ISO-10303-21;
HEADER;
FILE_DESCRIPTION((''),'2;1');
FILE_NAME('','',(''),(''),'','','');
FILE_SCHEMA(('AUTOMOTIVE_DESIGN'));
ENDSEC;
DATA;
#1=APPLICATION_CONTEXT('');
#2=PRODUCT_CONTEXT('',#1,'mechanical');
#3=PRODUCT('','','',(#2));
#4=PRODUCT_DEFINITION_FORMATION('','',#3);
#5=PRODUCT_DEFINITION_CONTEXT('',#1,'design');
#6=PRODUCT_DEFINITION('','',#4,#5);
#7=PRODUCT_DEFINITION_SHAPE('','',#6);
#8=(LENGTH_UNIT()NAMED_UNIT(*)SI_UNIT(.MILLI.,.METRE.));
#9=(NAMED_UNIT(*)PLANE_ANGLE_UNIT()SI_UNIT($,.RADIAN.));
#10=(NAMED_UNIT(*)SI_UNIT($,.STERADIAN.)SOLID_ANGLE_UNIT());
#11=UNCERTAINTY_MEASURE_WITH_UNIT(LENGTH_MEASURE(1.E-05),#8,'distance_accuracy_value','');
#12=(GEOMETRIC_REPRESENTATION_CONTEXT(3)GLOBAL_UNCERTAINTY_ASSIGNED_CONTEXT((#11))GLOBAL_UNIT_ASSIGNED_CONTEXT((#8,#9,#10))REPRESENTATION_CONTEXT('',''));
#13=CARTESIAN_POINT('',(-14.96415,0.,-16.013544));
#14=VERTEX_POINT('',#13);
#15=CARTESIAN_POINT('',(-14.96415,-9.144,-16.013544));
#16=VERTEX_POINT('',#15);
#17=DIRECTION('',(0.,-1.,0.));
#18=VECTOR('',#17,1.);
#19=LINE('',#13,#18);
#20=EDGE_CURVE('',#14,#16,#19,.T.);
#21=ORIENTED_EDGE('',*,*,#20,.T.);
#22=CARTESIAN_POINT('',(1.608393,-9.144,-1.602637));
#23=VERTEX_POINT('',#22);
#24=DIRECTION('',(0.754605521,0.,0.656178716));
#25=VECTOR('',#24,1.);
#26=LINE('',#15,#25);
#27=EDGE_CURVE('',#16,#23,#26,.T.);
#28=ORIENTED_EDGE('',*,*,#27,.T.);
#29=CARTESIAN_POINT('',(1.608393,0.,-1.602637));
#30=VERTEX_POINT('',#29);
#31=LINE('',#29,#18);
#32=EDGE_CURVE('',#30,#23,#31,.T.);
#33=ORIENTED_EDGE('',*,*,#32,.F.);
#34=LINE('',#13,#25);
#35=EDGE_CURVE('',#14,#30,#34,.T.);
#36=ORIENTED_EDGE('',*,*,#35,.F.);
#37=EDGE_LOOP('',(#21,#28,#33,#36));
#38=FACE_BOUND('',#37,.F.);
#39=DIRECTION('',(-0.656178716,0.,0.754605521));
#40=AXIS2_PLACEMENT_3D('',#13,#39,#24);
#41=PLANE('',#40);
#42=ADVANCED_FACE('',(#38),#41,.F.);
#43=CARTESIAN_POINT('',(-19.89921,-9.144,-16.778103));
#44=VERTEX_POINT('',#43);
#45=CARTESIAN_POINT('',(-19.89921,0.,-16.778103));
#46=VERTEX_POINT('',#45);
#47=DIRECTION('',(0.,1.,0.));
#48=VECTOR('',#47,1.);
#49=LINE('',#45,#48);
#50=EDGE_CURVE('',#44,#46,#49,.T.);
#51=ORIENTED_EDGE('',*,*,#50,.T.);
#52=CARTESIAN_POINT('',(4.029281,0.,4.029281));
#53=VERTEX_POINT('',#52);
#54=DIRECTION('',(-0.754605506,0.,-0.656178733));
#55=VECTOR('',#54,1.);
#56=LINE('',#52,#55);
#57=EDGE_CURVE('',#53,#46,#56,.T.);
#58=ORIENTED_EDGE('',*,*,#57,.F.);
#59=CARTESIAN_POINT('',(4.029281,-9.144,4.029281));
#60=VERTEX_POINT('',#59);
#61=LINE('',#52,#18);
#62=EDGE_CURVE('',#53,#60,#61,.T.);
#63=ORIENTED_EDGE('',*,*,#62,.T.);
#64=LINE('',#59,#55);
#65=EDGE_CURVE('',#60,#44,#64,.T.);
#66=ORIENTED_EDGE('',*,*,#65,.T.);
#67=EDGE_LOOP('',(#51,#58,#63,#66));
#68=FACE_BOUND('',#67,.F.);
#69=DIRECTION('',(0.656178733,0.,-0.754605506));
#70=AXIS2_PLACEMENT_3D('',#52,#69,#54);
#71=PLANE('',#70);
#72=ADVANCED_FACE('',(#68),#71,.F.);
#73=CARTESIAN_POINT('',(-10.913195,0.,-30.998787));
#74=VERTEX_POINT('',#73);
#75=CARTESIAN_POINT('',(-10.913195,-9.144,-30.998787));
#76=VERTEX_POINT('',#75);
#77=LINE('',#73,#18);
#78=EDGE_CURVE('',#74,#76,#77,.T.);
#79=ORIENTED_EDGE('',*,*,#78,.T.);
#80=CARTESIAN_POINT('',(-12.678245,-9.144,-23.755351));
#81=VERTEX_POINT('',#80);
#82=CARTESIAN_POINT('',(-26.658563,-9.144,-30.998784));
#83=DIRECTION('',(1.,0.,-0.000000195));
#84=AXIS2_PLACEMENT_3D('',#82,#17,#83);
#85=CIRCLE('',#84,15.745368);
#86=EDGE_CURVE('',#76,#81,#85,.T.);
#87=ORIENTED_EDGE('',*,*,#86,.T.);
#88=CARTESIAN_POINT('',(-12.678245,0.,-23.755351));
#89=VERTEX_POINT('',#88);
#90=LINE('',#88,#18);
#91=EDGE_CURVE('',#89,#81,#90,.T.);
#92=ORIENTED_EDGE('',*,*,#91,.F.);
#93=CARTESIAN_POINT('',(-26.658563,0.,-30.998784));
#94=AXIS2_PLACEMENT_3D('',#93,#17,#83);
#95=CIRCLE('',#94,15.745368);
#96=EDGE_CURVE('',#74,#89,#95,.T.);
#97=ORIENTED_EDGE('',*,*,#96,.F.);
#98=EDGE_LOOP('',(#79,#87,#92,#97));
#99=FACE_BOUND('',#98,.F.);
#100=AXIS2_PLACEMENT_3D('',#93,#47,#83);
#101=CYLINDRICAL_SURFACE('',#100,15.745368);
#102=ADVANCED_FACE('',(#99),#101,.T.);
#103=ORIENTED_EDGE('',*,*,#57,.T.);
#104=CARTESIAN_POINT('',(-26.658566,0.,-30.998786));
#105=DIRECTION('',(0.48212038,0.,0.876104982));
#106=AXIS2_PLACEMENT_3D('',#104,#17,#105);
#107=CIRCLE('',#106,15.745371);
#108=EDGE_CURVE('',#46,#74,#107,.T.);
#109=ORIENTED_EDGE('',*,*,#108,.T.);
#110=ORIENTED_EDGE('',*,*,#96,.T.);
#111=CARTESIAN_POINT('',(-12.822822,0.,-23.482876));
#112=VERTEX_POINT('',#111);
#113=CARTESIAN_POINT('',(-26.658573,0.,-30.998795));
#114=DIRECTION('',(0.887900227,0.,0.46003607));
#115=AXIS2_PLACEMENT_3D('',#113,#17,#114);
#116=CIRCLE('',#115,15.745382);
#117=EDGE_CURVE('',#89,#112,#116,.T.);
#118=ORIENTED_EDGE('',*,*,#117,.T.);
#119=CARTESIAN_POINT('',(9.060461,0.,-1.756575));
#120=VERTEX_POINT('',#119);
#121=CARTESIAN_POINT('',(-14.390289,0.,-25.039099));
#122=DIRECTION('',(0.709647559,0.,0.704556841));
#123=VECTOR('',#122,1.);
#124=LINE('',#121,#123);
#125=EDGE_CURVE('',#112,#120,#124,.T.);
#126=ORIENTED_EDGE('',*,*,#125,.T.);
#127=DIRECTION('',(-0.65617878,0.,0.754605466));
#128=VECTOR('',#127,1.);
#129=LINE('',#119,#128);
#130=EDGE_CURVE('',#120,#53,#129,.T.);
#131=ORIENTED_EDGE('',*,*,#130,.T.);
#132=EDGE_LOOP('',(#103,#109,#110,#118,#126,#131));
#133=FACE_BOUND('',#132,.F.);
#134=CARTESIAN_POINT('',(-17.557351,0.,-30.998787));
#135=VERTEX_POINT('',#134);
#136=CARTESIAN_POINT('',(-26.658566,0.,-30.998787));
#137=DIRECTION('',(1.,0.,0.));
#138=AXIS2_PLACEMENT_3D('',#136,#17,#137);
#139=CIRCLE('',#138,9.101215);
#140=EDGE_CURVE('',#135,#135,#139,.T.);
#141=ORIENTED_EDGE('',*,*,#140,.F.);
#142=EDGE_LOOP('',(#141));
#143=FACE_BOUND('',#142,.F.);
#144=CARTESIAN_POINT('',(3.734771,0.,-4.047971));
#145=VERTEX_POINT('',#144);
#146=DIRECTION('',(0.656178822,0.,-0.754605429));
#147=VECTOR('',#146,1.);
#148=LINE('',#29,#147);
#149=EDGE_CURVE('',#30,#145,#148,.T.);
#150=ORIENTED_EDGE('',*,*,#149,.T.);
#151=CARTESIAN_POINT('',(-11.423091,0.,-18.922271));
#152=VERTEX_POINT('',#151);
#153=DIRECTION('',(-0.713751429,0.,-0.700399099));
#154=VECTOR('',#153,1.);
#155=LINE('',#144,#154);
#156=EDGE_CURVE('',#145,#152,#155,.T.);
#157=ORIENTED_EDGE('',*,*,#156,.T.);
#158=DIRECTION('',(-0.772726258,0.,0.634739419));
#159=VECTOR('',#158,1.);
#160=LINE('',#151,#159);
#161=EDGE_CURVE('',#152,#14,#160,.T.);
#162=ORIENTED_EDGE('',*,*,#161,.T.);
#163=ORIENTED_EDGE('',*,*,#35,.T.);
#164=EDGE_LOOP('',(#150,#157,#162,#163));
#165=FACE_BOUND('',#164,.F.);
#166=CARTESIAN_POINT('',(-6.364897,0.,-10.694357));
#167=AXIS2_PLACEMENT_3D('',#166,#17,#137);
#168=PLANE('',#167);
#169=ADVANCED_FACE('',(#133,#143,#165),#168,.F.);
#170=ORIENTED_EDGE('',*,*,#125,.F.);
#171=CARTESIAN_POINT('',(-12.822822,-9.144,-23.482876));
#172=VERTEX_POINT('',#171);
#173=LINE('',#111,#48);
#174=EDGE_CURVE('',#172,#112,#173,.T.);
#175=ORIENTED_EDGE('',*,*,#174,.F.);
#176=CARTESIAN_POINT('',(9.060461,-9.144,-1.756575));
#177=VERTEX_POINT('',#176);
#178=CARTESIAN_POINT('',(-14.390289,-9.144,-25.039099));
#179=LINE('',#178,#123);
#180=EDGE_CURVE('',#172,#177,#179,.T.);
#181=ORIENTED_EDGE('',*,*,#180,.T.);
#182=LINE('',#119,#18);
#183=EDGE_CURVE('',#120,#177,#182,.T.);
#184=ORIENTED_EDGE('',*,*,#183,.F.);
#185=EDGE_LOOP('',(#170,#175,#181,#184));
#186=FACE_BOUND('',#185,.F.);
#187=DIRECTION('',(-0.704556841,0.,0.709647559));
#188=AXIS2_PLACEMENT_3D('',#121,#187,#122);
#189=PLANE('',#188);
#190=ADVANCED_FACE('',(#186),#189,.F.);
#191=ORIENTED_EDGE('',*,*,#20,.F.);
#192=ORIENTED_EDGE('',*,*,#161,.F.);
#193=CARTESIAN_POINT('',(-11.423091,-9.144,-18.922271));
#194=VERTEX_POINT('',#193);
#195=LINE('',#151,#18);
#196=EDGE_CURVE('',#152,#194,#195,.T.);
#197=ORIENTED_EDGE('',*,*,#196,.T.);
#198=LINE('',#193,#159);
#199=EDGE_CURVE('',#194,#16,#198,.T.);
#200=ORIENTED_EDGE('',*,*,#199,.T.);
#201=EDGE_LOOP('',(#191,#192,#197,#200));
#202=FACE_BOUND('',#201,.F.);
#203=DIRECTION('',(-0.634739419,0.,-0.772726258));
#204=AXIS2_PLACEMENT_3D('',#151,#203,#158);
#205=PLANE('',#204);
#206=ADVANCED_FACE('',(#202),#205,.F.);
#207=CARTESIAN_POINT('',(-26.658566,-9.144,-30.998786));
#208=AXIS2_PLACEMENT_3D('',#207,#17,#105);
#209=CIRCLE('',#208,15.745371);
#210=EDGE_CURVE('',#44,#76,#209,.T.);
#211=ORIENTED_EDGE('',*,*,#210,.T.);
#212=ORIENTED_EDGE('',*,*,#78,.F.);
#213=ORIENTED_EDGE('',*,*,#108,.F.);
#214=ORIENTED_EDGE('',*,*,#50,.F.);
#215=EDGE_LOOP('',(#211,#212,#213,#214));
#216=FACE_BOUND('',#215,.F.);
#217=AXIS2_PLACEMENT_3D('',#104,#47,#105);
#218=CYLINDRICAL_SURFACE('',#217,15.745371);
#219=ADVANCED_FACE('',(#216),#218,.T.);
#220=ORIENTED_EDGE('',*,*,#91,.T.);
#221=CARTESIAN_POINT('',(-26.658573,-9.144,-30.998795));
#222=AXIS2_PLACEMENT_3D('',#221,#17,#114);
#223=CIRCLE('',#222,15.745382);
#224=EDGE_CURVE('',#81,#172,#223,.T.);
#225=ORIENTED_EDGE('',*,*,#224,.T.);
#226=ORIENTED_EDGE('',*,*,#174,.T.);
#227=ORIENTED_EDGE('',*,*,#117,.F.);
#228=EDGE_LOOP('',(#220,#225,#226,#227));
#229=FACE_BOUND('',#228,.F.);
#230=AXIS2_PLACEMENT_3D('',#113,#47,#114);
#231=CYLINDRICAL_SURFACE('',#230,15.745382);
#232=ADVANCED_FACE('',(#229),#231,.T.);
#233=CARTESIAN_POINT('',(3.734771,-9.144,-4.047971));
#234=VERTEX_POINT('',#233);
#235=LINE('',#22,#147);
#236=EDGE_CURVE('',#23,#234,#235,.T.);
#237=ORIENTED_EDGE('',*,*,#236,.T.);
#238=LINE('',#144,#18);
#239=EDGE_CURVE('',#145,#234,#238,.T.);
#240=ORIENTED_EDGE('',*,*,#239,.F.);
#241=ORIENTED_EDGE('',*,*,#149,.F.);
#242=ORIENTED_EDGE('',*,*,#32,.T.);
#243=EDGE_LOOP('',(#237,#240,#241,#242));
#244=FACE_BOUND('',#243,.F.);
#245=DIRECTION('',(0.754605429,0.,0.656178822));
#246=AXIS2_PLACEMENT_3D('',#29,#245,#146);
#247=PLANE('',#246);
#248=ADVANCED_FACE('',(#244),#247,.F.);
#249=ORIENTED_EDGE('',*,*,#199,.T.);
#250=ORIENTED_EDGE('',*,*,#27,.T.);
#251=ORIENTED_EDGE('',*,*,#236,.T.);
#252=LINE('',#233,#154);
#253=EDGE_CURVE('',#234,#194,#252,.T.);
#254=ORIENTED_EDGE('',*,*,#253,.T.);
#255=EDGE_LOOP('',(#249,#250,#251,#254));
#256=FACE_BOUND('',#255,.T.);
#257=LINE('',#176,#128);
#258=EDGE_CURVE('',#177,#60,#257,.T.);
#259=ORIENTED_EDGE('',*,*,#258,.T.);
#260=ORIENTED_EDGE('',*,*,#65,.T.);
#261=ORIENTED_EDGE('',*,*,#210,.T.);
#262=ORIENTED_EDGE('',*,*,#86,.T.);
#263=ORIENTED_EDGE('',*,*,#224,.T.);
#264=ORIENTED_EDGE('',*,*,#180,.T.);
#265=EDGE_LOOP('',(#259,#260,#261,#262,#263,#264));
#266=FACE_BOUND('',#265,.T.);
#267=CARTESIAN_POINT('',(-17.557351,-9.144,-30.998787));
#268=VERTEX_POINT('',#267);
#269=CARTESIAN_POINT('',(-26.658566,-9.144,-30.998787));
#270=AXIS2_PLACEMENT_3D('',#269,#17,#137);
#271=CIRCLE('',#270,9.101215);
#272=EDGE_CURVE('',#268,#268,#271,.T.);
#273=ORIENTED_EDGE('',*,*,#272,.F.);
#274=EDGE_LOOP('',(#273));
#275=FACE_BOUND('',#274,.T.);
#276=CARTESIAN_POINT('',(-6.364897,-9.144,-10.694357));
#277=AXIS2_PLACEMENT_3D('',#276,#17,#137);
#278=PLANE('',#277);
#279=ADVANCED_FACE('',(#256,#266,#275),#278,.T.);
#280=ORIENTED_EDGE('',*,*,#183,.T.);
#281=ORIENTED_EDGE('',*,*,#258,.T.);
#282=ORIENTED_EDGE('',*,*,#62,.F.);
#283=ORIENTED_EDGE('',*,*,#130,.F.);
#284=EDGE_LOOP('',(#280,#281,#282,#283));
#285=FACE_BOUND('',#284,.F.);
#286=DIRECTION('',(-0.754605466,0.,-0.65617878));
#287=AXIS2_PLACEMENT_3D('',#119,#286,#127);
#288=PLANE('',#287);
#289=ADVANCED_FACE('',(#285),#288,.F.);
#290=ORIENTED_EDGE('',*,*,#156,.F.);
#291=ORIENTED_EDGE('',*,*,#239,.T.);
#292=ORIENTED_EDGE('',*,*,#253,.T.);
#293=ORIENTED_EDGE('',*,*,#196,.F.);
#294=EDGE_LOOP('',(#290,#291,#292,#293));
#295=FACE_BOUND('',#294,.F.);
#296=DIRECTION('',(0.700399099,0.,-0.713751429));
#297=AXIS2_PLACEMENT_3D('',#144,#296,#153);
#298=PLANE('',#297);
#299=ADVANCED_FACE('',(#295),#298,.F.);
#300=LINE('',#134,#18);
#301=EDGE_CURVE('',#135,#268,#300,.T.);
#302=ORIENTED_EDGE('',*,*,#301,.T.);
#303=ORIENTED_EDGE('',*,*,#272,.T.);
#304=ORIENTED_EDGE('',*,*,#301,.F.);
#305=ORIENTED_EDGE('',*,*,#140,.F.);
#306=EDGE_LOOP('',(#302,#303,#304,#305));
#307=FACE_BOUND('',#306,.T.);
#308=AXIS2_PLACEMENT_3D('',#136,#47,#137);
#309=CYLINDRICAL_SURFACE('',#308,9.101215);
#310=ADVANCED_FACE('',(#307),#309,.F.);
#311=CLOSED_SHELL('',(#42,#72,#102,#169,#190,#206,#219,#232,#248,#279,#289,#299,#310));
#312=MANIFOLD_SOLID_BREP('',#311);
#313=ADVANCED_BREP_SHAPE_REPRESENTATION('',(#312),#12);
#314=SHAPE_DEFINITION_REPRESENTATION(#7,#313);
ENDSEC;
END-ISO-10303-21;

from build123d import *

# Parameters (mm, degrees)
F0_R     = 9.101215
F1_DEPTH = 9.144
F3_DEPTH = 9.144


with BuildPart() as f1:
    # F0 (on Front) → F1 (new body)
    with BuildSketch(Plane.XZ):
        with BuildLine():
            ThreePointArc((-19.067402, -17.204188), (-40.212946, -39.010997), (-10.913195, -30.998787))
            ThreePointArc((-10.913195, -30.998787), (-11.36082, -27.271094), (-12.678245, -23.755351))
            ThreePointArc((-12.678245, -23.755351), (-15.386403, -20.005377), (-19.067402, -17.204188))
        make_face()
        with Locations((-26.658566, -30.998787)):
            Circle(F0_R, mode=Mode.SUBTRACT)
    extrude(amount=F1_DEPTH)

    # F2 (on Front) → F3 (join)
    with BuildSketch(Plane.XZ):
        Polygon((4.029281, 4.029281), (-22.448849, -18.995181), (-14.390289, -25.039099), (9.060461, -1.756575), align=None)
        Polygon((-11.423091, -18.922271), (-14.96415, -16.013544), (1.608393, -1.602637), (3.734771, -4.047971), align=None, mode=Mode.SUBTRACT)
    extrude(amount=F3_DEPTH)


solid = f1.part
